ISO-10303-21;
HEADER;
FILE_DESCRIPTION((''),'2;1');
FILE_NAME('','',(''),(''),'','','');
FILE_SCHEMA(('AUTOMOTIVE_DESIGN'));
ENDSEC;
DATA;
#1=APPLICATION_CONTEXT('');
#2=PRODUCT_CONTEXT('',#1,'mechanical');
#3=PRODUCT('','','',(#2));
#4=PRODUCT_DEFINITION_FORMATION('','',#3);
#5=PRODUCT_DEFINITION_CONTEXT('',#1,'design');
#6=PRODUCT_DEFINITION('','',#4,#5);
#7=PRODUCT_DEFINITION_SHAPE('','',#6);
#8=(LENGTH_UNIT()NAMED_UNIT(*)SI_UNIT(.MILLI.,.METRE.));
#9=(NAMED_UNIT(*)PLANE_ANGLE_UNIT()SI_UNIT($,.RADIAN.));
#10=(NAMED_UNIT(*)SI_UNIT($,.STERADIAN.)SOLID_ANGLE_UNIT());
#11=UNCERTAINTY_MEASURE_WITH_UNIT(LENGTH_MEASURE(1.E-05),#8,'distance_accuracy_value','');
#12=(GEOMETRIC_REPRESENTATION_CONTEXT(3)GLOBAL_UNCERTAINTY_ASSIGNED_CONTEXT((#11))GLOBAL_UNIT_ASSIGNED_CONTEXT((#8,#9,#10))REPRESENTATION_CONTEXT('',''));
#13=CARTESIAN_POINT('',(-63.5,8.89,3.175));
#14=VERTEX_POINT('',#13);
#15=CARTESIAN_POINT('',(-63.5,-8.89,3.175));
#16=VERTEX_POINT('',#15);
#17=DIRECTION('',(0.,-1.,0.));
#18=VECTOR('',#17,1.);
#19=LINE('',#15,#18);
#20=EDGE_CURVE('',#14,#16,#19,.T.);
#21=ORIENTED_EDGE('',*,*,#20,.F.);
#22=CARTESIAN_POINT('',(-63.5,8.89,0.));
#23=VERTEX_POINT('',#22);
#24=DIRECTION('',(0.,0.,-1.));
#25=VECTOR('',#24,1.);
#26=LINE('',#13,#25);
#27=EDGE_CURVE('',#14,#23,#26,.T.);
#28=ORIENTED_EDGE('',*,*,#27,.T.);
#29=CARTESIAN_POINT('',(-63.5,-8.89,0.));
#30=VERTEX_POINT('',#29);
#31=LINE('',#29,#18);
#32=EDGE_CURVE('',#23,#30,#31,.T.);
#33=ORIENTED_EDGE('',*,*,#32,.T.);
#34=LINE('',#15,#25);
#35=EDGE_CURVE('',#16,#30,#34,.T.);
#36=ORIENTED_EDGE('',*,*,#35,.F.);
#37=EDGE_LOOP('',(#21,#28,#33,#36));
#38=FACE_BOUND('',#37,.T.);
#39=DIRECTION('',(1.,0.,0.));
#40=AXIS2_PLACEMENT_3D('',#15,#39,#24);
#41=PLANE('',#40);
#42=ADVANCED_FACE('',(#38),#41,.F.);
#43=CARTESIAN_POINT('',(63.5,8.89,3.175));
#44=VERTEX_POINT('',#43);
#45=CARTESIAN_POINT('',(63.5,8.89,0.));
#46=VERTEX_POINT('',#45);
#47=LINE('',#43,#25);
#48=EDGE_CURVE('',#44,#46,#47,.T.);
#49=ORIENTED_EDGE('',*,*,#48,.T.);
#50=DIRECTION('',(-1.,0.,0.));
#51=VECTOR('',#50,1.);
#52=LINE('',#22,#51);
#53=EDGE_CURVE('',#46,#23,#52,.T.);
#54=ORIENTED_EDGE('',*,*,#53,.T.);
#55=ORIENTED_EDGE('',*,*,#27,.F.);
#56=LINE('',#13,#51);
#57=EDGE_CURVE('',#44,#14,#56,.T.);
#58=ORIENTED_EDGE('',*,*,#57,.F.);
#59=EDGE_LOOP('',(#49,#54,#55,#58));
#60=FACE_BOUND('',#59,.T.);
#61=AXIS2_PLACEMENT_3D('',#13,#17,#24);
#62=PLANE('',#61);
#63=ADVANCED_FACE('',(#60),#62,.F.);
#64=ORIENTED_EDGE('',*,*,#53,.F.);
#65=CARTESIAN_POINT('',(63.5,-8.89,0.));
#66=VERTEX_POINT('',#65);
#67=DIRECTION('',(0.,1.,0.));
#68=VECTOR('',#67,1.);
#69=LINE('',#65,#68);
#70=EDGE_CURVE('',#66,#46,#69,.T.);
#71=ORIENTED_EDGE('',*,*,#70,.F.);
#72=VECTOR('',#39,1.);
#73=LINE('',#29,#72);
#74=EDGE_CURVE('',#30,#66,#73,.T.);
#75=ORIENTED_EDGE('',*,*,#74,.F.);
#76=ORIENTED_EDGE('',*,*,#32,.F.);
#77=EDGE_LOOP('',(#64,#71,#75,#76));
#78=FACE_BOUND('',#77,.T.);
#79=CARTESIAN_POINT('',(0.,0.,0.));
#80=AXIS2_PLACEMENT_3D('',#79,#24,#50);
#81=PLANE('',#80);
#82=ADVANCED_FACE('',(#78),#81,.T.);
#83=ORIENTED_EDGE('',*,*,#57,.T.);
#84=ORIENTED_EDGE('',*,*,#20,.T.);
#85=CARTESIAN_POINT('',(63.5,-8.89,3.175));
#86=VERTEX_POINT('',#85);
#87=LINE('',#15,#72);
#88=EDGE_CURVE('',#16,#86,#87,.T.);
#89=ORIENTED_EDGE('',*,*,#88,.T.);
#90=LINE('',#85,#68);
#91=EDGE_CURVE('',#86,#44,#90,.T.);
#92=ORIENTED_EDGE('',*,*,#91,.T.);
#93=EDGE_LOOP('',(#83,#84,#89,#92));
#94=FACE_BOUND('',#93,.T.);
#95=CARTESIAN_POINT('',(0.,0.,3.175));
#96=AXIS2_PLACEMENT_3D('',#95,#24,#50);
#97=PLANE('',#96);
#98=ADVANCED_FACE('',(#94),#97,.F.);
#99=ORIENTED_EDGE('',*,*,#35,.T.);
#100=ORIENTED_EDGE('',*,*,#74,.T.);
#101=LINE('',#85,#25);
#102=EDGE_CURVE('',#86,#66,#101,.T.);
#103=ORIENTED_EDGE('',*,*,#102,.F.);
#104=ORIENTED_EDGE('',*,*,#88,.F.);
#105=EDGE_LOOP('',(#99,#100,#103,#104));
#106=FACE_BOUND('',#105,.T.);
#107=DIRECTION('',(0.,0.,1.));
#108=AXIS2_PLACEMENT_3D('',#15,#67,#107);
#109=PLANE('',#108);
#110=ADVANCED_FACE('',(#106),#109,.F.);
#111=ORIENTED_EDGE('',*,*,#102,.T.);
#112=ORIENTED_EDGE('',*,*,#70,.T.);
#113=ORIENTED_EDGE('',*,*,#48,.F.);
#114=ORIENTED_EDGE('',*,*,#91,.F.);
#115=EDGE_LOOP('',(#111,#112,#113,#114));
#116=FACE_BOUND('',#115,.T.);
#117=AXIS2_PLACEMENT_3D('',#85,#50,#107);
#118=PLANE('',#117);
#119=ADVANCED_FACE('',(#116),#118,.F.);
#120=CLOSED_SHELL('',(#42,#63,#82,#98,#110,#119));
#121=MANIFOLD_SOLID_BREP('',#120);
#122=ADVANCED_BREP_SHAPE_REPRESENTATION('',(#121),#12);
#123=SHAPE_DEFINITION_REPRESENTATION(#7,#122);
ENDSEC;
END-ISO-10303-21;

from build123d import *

# Parameters (mm, degrees)
SKETCH1_W           = 127
SKETCH1_H           = 17.78
BOSS_EXTRUDE1_DEPTH = 3.175


with BuildPart() as part:
    # Sketch1 → Boss-Extrude1 (new body)
    with BuildSketch(Plane.XY):
        Rectangle(SKETCH1_W, SKETCH1_H)
    extrude(amount=BOSS_EXTRUDE1_DEPTH)


solid = part.part
